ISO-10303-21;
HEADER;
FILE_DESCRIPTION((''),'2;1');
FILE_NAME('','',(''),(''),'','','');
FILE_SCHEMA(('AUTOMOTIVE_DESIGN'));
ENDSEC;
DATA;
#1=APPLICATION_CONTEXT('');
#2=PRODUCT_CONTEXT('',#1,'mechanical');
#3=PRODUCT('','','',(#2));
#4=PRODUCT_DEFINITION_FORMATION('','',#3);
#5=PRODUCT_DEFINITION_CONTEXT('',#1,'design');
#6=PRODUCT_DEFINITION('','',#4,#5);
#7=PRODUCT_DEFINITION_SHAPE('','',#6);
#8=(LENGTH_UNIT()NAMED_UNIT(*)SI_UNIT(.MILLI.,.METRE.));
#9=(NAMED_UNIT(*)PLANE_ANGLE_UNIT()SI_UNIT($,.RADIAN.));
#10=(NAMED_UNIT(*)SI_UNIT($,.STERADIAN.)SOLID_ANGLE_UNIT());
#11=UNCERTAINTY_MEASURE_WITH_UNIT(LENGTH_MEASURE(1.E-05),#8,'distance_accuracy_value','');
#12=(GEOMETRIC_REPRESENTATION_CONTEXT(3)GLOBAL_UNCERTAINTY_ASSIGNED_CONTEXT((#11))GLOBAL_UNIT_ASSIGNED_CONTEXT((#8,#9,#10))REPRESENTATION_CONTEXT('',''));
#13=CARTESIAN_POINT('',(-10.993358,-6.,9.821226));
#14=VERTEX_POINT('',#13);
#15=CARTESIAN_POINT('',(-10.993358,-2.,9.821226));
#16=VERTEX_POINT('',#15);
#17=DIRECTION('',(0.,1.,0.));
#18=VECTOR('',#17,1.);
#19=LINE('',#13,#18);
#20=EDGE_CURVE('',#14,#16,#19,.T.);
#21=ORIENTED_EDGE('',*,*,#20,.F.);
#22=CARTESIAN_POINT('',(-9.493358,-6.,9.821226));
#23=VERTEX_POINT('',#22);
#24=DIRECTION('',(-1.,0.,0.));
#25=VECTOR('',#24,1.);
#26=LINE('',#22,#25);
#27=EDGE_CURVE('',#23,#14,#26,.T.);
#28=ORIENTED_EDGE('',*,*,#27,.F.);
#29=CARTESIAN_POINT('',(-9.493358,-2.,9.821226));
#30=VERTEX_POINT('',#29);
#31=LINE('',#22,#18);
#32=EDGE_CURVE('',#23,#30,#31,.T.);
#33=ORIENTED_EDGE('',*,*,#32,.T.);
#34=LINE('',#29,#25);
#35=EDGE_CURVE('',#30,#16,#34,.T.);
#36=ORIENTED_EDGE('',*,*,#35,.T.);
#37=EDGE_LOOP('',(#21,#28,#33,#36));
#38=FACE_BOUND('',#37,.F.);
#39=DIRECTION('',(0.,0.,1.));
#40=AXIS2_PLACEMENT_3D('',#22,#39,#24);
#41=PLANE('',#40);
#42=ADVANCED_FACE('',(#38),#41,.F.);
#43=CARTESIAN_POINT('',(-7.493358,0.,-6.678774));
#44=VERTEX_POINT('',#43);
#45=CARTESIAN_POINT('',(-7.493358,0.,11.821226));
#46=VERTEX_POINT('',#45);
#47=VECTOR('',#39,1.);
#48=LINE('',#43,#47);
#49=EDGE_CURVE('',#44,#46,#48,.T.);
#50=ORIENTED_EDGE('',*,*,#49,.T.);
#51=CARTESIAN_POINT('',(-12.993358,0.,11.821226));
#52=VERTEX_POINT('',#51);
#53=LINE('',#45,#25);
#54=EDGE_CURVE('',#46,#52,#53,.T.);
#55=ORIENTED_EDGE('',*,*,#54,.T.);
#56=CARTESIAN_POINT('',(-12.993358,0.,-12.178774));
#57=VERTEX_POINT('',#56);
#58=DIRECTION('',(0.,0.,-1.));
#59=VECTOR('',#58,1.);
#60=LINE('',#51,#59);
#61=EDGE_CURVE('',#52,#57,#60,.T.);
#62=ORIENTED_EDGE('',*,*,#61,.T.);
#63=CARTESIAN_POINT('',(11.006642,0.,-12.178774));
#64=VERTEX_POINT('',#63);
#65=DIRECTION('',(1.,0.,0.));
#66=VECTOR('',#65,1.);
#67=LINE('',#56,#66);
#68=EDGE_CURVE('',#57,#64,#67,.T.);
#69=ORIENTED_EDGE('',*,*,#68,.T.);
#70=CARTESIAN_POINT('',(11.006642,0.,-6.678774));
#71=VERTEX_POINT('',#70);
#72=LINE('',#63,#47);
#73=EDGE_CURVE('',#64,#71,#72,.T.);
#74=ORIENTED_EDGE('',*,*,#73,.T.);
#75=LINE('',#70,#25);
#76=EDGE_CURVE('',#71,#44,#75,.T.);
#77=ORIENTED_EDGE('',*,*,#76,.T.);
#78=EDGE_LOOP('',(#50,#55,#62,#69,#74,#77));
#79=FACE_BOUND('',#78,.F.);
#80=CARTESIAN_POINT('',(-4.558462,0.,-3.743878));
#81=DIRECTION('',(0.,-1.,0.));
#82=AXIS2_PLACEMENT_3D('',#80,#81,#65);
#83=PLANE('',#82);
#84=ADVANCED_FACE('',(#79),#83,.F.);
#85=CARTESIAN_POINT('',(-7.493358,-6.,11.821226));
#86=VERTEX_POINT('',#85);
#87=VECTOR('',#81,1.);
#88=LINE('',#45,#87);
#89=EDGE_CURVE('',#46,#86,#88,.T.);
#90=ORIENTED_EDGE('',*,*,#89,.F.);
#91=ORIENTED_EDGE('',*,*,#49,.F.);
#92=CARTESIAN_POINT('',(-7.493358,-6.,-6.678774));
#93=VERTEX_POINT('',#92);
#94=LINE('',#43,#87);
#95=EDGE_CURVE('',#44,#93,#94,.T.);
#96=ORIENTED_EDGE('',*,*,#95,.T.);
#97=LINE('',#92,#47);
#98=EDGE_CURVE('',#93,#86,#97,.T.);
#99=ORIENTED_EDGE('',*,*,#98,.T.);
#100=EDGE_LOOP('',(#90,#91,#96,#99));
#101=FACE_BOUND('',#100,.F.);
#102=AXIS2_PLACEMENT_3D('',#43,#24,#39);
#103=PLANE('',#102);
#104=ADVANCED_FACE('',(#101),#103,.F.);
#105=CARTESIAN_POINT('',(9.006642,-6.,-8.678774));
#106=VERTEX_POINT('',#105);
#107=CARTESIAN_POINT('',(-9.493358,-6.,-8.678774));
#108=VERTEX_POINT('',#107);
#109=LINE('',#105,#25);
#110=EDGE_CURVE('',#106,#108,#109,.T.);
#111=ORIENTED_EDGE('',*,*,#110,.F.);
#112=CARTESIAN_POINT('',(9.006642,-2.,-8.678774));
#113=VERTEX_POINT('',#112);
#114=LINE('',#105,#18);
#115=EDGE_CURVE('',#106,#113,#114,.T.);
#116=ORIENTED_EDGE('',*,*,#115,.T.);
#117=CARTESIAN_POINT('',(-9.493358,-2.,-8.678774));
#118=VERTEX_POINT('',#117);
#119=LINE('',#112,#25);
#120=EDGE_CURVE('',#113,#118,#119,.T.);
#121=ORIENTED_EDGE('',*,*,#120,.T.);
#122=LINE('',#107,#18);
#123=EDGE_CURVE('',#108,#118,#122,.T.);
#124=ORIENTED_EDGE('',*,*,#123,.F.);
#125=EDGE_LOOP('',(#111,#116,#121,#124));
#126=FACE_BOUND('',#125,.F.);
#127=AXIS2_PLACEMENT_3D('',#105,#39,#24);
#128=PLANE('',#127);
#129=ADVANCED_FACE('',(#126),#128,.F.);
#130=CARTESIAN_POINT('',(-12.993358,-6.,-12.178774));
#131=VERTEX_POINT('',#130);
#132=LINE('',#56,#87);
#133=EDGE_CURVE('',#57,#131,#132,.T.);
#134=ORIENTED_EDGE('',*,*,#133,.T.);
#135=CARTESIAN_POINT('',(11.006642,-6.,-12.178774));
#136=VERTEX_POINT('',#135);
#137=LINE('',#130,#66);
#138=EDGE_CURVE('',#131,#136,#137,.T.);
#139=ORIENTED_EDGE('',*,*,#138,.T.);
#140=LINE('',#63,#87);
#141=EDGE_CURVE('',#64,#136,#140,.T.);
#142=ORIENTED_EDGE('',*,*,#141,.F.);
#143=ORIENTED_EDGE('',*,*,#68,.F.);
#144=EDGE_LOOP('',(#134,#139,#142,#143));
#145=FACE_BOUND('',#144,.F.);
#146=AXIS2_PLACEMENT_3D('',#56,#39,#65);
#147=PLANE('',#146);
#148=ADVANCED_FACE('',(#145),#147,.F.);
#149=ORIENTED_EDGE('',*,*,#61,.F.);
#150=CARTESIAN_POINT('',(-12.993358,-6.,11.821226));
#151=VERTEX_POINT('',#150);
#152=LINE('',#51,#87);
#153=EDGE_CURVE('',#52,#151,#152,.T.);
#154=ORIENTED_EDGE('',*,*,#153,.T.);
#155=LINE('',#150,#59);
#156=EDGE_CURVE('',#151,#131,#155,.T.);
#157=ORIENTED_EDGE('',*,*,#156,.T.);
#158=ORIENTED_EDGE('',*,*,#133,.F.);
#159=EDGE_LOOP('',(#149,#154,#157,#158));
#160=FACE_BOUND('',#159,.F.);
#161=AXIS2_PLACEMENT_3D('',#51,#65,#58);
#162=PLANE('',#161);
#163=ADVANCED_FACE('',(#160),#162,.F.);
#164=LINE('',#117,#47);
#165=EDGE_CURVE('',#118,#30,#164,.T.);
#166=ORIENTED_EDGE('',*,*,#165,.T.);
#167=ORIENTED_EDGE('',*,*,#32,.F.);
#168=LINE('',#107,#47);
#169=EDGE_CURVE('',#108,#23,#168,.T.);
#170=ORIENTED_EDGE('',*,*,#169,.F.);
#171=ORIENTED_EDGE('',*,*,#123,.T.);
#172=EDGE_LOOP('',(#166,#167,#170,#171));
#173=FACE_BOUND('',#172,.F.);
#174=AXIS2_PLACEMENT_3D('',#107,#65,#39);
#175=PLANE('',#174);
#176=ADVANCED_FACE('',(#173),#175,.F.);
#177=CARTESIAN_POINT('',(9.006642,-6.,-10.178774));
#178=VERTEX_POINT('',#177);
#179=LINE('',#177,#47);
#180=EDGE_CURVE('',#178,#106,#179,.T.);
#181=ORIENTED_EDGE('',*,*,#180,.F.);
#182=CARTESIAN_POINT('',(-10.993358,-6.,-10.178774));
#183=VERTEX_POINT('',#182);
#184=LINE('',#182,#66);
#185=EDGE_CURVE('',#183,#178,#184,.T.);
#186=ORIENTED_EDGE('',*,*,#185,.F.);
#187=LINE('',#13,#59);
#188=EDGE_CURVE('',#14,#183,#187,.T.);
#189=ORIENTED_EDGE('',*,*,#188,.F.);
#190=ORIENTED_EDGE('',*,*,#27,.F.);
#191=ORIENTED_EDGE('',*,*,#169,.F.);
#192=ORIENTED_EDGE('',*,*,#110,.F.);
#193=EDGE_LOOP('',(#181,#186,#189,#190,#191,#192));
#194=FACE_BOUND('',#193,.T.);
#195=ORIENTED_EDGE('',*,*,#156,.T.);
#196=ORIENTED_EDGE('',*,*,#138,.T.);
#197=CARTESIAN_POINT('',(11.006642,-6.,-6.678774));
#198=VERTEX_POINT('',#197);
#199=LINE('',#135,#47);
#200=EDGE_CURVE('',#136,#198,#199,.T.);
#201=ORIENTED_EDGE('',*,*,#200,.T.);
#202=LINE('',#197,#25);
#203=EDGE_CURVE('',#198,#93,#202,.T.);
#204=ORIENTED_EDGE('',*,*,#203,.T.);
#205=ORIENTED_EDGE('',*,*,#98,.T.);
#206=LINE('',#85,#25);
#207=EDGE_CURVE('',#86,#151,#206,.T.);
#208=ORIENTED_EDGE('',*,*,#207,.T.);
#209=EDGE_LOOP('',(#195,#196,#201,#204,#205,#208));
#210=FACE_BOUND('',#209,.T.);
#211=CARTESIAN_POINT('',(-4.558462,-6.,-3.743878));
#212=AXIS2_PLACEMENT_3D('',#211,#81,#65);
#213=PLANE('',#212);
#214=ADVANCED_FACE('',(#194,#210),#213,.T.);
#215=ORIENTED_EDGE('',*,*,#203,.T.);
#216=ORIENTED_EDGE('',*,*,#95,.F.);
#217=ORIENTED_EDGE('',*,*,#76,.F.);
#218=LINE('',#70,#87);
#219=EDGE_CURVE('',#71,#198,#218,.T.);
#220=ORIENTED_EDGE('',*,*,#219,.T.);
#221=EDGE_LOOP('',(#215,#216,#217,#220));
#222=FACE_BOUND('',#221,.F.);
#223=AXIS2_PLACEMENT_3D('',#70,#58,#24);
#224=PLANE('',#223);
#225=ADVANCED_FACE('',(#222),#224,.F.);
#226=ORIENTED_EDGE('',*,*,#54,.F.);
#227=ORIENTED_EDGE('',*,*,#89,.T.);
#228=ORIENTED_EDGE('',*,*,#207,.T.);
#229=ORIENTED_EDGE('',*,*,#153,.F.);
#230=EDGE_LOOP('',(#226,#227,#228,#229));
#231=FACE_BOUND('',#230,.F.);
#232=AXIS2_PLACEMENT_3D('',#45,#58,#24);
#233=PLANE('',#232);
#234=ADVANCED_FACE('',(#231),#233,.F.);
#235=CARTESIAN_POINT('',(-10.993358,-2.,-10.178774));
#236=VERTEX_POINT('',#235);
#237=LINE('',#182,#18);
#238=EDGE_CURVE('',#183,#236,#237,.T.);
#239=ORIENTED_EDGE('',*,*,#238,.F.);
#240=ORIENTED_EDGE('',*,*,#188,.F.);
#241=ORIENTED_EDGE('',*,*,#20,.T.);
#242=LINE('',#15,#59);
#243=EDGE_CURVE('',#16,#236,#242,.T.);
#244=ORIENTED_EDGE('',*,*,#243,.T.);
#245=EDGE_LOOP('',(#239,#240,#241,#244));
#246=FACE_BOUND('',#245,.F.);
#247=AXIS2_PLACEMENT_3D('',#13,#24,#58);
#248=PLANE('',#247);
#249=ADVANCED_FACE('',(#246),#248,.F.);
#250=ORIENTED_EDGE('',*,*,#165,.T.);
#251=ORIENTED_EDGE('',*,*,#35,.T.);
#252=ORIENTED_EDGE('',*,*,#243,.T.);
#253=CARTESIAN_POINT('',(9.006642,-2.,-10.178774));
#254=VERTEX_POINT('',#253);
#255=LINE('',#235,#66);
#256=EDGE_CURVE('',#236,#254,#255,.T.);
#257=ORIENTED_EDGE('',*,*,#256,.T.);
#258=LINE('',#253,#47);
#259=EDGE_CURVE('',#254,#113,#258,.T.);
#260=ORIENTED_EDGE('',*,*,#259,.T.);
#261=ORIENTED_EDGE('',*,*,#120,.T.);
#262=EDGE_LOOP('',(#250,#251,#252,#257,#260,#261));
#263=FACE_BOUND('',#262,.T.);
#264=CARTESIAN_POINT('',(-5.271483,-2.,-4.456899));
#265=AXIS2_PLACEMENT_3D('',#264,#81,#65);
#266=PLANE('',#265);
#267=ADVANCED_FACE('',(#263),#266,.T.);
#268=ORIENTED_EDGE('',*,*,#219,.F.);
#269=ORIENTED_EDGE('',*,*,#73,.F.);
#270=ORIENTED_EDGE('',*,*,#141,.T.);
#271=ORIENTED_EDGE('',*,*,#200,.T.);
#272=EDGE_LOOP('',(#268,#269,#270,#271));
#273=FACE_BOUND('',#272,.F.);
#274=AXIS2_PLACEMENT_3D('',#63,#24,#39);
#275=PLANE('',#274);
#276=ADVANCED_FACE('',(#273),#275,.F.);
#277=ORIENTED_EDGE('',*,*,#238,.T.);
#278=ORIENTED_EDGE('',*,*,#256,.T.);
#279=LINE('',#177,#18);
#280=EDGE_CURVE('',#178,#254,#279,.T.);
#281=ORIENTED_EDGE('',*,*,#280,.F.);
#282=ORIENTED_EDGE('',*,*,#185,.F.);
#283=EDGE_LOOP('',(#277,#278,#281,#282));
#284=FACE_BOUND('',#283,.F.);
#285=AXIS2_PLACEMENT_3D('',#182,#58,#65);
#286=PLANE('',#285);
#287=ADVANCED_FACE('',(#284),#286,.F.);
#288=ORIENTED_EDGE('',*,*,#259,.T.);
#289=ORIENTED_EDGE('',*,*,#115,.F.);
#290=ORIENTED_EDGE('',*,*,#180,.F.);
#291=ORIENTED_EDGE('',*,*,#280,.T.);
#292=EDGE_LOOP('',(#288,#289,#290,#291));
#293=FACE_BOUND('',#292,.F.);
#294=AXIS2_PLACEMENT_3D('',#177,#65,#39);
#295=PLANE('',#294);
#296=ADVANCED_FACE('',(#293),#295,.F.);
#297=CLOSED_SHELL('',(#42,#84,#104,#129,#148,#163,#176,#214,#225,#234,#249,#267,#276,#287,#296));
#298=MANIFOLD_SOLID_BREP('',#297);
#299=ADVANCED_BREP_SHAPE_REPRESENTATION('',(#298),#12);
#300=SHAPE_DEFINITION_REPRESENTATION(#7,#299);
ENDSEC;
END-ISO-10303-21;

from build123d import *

# Parameters (mm, degrees)
EXTRUDE_DEPTH                     = 6
EXTRUDE_ONTO_SKETCH001_ROLL_ANGLE = 90
POCKET_DEPTH                      = 4


with BuildPart() as part:
    # Sketch001 as drawn → Extrude (new)
    with BuildSketch(Plane.XY):
        Polygon((-12.993358, 11.821226), (-12.993358, -12.178774), (11.006642, -12.178774), (11.006642, -6.678774), (-7.493358, -6.678774), (-7.493358, 11.821226), align=None)
    extrude(amount=EXTRUDE_DEPTH)


with BuildPart() as part_1:
    # Extrude onto Sketch001 roll: moved
    add(part.part.rotate(Axis((0, 0, 0), (1, 0, 0)), EXTRUDE_ONTO_SKETCH001_ROLL_ANGLE))


with BuildPart() as part_2:
    # Extrude onto Sketch001 placement: moved
    add(part_1.part)

    # Sketch002 → Pocket (cut)
    with BuildSketch(Plane.XZ.offset(6)):
        Polygon((-10.993358, 9.821226), (-10.993358, -10.178774), (9.006642, -10.178774), (9.006642, -8.678774), (-9.493358, -8.678774), (-9.493358, 9.821226), align=None)
    extrude(amount=-POCKET_DEPTH, mode=Mode.SUBTRACT)


solid = part_2.part
